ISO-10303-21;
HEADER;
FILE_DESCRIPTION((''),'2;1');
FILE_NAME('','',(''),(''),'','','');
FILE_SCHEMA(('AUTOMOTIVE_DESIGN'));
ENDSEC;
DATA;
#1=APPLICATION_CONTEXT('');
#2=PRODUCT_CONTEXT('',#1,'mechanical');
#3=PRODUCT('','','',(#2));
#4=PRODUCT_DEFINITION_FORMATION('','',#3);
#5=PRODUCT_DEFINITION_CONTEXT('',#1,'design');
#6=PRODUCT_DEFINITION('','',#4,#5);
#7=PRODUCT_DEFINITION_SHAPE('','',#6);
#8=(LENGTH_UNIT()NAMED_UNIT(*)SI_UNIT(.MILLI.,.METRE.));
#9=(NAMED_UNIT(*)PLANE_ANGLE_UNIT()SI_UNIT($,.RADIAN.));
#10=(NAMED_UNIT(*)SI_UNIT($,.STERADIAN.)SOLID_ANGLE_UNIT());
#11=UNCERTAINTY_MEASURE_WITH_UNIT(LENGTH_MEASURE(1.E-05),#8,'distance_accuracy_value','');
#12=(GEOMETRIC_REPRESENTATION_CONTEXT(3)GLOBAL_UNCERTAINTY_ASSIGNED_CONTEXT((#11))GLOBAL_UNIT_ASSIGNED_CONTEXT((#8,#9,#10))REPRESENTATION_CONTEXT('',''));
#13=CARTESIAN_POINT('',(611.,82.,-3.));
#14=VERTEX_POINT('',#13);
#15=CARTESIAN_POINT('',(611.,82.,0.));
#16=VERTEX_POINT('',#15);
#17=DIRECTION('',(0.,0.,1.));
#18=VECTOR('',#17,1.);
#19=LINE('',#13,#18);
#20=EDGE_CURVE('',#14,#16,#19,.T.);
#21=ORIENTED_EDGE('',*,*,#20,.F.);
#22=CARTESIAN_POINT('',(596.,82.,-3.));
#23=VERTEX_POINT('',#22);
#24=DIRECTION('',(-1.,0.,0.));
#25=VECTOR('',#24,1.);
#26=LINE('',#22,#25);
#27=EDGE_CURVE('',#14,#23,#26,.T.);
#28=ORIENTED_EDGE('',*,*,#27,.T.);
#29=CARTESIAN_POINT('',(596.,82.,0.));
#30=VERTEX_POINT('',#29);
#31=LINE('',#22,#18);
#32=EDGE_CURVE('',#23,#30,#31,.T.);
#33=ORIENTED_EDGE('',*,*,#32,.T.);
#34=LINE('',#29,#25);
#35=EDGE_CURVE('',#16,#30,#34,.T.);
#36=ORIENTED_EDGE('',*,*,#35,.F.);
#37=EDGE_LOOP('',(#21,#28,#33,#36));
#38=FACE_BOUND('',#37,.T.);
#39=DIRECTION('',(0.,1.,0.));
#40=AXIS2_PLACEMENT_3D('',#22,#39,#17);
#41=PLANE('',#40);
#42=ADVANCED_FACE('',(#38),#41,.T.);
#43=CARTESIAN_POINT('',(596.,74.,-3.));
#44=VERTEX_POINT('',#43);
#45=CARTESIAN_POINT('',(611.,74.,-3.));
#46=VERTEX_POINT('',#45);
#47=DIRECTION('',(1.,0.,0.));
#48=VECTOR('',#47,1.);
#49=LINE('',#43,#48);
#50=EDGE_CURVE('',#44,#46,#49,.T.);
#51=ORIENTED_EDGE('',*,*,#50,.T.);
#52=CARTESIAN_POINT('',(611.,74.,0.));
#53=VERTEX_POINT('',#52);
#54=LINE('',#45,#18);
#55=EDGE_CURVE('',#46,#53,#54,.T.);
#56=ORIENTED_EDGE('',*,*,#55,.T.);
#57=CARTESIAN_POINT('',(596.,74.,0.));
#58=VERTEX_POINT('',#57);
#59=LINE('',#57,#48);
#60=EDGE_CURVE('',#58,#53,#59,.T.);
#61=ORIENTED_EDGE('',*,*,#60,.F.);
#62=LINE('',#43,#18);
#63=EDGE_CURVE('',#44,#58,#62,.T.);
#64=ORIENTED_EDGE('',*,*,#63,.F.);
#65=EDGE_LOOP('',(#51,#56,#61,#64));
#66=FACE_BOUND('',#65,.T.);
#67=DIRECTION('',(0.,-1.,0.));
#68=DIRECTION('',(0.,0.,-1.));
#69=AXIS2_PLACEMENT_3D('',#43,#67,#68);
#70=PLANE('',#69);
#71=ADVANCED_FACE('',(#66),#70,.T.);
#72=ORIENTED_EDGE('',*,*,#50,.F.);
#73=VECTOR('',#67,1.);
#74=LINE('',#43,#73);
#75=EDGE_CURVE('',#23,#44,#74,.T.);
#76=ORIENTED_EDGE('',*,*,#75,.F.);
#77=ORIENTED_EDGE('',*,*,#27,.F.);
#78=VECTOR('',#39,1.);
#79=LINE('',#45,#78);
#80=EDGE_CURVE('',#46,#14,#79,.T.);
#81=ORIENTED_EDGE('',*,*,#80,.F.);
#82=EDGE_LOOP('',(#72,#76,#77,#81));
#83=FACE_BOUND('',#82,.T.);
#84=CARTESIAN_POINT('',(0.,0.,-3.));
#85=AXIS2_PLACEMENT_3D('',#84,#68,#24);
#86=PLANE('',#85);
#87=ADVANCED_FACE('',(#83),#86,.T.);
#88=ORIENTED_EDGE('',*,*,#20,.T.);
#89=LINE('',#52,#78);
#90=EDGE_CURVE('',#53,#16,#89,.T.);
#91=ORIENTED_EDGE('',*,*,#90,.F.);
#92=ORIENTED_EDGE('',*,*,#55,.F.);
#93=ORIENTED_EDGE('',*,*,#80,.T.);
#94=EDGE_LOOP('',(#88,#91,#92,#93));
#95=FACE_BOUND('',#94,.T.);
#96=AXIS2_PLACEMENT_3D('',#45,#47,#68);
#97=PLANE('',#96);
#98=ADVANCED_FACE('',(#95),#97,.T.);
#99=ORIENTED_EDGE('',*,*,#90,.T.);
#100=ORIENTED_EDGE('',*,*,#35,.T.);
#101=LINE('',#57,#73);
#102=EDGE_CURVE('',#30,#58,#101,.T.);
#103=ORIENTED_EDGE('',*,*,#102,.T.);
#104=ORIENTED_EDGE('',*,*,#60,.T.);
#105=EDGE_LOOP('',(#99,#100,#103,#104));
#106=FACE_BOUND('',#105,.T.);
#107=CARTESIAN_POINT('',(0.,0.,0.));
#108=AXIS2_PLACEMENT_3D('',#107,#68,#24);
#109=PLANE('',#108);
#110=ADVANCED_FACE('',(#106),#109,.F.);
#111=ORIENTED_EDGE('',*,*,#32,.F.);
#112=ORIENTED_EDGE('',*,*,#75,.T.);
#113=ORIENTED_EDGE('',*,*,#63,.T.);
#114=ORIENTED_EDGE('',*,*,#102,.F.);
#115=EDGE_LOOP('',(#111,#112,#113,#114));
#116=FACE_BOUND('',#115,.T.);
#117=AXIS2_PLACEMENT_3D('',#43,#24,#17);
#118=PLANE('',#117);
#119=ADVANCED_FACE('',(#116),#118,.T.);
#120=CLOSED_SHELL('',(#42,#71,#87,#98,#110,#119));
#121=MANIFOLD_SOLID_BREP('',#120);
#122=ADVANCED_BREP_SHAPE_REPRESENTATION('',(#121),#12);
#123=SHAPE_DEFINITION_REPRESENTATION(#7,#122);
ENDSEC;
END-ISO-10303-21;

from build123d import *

# Parameters (mm, degrees)
SKETCH1_W                          = 15
SKETCH1_H                          = 8
CEK_DONMUS_MIKNATIS_15X8X3_1_DEPTH = 3


with BuildPart() as part:
    # Sketch1 → CEK_donmus_miknatis_15x8x3_1 (new body)
    with BuildSketch(Plane.XY):
        with Locations((603.5, 78)):
            Rectangle(SKETCH1_W, SKETCH1_H)
    extrude(amount=-CEK_DONMUS_MIKNATIS_15X8X3_1_DEPTH)


solid = part.part
